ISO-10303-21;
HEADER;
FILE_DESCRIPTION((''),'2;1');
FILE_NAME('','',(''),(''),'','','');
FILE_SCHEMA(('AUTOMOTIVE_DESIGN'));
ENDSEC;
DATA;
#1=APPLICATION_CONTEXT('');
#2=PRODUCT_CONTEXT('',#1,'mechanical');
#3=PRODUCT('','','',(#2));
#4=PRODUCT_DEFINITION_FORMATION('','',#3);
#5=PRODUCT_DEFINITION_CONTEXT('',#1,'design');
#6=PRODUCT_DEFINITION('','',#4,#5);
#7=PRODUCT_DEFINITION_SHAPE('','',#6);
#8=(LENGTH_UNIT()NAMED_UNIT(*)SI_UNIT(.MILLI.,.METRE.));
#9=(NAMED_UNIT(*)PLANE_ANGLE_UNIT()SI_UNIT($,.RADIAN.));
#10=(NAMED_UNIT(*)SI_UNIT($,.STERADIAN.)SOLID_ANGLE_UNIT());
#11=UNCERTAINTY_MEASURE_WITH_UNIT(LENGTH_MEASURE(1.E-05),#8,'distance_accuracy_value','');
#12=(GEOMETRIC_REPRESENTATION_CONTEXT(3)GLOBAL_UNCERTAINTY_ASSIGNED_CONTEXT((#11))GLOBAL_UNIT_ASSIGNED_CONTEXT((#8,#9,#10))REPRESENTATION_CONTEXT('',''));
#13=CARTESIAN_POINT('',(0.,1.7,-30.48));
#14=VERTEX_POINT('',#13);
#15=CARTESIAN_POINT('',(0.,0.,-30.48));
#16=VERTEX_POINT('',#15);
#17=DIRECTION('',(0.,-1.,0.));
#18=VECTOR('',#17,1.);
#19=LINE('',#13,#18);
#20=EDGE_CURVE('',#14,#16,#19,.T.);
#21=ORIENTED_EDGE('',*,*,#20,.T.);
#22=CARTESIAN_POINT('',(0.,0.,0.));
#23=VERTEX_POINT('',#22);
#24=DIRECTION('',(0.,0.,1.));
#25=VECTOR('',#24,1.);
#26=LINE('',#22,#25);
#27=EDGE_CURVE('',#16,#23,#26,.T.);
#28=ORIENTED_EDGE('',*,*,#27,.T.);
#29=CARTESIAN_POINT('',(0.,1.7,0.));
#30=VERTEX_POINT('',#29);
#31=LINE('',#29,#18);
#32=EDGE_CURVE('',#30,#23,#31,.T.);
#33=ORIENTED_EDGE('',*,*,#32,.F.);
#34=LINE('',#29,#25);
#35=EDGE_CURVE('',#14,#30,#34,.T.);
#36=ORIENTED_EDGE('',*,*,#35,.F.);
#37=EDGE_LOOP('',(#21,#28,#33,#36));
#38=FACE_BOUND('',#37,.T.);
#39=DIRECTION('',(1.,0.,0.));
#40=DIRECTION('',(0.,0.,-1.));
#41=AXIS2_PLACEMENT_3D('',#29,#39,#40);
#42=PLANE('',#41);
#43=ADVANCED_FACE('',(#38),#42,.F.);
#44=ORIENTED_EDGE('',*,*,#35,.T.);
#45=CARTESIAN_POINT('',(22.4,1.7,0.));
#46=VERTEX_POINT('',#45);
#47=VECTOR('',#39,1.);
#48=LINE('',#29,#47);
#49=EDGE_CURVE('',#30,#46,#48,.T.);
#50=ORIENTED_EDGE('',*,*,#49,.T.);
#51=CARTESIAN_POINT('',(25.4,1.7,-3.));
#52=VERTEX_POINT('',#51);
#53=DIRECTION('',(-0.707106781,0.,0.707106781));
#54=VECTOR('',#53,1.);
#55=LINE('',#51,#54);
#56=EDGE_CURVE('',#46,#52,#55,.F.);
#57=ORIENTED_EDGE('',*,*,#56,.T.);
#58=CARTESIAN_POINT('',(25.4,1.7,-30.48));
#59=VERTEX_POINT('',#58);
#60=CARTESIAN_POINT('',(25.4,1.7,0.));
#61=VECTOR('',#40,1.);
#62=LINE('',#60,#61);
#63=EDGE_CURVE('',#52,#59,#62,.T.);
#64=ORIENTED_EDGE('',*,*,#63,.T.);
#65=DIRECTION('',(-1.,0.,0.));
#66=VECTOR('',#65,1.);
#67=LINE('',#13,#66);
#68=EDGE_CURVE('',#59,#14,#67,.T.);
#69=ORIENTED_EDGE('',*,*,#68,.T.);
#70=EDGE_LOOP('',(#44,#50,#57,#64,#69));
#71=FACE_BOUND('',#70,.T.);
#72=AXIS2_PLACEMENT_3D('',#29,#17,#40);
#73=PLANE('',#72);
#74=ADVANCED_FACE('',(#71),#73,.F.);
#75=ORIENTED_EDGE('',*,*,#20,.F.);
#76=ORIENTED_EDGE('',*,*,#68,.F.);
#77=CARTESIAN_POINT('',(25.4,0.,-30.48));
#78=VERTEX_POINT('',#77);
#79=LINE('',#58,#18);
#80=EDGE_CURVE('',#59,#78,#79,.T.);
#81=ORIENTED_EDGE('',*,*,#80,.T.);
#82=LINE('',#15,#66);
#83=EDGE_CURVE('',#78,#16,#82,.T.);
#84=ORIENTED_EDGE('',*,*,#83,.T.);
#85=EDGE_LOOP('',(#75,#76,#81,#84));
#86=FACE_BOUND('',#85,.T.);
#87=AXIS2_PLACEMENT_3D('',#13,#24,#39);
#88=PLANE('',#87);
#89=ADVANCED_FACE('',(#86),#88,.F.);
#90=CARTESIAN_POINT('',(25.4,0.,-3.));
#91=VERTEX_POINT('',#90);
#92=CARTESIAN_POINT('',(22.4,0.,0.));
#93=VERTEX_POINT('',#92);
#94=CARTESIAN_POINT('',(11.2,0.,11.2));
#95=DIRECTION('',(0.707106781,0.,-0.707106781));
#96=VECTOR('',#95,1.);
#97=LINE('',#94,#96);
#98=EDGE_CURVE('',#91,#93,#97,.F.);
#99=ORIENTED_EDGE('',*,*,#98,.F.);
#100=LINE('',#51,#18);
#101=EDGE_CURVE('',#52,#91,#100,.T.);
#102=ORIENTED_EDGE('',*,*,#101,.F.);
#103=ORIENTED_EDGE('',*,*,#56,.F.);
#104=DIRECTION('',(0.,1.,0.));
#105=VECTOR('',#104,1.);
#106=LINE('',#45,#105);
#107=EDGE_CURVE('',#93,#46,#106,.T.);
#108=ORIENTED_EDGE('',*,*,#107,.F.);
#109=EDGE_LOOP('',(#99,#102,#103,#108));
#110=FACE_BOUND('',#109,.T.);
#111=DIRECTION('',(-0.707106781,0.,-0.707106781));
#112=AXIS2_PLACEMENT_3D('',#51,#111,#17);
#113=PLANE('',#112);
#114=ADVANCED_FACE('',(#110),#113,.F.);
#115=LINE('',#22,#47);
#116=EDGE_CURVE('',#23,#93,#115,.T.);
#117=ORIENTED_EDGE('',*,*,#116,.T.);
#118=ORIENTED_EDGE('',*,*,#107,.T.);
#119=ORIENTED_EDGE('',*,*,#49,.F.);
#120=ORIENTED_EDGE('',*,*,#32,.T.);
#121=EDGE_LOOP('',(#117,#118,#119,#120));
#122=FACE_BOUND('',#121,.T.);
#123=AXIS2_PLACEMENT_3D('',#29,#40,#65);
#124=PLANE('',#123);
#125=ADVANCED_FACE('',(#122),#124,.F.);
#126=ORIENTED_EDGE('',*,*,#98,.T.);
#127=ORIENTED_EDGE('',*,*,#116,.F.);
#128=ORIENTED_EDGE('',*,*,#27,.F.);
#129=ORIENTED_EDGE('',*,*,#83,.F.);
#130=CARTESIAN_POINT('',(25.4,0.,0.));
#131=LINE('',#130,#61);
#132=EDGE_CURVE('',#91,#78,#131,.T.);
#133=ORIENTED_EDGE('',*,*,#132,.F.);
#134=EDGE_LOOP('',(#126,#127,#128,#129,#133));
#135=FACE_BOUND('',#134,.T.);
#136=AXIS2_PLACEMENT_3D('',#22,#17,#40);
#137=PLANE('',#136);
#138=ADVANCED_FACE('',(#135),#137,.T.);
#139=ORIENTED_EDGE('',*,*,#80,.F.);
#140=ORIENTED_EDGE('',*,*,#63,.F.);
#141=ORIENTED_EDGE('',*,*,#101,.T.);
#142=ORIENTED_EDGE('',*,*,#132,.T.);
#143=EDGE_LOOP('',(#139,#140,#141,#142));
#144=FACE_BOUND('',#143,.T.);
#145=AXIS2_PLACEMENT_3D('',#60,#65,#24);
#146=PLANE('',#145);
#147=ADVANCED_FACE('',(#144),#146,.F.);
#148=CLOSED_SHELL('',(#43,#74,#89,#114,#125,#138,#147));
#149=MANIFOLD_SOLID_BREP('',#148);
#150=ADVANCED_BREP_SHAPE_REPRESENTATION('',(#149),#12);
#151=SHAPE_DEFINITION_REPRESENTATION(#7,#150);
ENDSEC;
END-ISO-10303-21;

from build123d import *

# Parameters (mm, degrees)
SKETCH1_W           = 25.4
SKETCH1_H           = 30.48
BOSS_EXTRUDE1_DEPTH = 1.7
CHAMFER1_SIZE       = 3


with BuildPart() as part:
    # Sketch1 → Boss-Extrude1 (new body)
    with BuildSketch(Plane(origin=(0, 0, 0), x_dir=(1, 0, 0), z_dir=(0, 1, 0))):
        with Locations((12.7, 15.24)):
            Rectangle(SKETCH1_W, SKETCH1_H)
    extrude(amount=BOSS_EXTRUDE1_DEPTH)

    # Chamfer1
    chamfer1_edges = [part.edges().sort_by_distance(p)[0] for p in [
        (25.4, 0.85, 0),
    ]]
    chamfer(chamfer1_edges, length=CHAMFER1_SIZE)


solid = part.part
